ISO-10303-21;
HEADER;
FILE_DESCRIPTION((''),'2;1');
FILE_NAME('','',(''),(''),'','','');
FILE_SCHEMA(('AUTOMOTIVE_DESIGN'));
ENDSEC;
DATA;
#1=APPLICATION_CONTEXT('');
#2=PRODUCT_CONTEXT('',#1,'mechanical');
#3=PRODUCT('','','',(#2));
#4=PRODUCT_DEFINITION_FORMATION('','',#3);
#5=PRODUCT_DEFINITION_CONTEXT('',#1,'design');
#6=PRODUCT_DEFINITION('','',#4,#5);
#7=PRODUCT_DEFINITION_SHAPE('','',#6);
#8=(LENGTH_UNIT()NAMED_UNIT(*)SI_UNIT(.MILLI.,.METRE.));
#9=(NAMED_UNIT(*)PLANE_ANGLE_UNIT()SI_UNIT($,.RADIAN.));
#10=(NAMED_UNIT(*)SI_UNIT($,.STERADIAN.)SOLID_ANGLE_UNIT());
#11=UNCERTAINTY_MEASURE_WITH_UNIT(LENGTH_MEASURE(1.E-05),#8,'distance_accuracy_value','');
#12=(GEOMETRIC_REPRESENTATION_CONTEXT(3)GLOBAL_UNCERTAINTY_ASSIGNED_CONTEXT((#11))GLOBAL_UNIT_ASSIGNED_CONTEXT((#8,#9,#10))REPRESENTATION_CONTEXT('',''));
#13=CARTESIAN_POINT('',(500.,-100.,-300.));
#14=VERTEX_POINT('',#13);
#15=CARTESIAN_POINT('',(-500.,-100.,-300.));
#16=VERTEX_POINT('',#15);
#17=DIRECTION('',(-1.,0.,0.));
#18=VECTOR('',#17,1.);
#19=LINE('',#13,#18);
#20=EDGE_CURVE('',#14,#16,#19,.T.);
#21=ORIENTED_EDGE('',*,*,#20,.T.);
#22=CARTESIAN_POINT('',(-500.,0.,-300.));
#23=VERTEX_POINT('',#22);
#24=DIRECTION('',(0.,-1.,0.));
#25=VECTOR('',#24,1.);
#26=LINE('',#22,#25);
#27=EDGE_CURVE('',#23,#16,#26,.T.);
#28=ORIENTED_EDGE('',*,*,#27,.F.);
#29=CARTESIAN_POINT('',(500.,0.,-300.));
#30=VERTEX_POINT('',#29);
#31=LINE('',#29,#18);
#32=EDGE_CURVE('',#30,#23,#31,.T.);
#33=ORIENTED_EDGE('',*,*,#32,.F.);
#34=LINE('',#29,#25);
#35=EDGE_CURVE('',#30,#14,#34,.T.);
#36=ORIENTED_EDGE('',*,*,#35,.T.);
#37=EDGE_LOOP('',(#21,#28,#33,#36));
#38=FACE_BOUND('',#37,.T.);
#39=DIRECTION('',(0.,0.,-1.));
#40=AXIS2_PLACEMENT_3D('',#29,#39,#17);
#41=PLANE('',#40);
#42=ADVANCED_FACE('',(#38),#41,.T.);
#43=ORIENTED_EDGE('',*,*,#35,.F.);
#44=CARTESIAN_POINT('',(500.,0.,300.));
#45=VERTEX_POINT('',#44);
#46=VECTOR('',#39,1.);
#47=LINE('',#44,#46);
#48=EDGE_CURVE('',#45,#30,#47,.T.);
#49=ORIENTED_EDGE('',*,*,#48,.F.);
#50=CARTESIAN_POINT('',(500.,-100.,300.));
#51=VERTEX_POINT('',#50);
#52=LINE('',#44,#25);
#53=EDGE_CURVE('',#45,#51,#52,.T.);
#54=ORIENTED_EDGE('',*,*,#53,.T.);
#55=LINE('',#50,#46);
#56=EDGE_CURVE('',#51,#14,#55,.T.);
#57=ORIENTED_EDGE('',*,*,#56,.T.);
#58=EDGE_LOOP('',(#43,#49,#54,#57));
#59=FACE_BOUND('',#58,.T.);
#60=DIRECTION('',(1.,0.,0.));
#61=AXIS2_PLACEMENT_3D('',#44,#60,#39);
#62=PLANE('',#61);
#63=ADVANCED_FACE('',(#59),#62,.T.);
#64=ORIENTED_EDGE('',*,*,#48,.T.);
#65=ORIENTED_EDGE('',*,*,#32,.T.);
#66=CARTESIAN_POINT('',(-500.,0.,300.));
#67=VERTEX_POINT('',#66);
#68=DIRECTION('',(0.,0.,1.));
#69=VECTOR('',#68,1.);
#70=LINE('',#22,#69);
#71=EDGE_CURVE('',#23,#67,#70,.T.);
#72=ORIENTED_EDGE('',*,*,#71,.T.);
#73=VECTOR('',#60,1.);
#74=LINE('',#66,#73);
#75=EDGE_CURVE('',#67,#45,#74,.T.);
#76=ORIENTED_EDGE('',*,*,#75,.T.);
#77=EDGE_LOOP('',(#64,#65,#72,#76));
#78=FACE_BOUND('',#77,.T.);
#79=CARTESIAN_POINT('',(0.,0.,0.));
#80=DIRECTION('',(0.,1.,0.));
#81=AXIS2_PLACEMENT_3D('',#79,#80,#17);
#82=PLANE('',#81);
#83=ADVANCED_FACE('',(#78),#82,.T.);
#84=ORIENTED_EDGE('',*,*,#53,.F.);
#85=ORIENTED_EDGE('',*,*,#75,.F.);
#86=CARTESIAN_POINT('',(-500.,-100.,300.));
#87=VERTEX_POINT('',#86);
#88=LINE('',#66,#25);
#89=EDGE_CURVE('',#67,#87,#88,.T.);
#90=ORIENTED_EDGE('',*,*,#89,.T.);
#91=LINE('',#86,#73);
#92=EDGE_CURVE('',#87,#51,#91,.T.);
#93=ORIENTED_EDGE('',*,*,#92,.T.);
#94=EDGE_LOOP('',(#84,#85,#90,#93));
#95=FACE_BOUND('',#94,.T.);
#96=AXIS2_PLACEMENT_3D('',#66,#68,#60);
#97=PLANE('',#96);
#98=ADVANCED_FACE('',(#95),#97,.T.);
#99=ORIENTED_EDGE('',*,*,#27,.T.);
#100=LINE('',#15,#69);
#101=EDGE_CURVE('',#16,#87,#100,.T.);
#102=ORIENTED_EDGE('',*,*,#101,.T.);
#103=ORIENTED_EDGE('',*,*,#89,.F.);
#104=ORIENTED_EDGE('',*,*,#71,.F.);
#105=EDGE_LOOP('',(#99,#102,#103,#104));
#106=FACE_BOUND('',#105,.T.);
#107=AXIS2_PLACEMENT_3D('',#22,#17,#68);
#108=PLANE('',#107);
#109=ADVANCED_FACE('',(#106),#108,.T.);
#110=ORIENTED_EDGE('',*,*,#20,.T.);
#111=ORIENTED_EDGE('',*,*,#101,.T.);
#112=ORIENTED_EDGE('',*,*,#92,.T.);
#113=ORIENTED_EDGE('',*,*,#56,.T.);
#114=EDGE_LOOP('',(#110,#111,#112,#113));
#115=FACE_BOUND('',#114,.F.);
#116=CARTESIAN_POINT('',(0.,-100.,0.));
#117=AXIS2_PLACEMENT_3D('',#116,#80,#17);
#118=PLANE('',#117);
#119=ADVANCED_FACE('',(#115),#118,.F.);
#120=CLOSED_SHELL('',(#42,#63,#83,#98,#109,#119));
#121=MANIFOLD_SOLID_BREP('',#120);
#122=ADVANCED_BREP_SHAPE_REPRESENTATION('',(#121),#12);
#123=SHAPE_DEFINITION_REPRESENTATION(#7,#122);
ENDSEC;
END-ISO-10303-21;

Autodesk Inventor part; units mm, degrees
ref_plane "YZ Plane" through (0, 0, 0) normal (1, 0, 0) x (0, 1, 0)
ref_plane "XZ Plane" through (0, 0, 0) normal (0, 1, 0) x (-1, 0, 0)
ref_plane "XY Plane" through (0, 0, 0) normal (0, 0, 1) x (1, 0, 0)
sketch "Sketch1" plane through (0, 0, 0) normal (0, 1, 0) x (-1, 0, 0)
  line L0 (-500, -300) -> (500, -300)
  line L1 (500, -300) -> (500, 300)
  line L2 (500, 300) -> (-500, 300)
  line L3 (-500, 300) -> (-500, -300)
  line L4 (-500, -300) -> (500, 300) construction
  line L5 (500, -300) -> (-500, 300) construction
  point P0 (0, 0)
  dimension "d0" = 1000
  dimension "d1" = 600
extrude "Extrusion1" add sketch "Sketch1" against normal blind 100
properties part number "ground"
